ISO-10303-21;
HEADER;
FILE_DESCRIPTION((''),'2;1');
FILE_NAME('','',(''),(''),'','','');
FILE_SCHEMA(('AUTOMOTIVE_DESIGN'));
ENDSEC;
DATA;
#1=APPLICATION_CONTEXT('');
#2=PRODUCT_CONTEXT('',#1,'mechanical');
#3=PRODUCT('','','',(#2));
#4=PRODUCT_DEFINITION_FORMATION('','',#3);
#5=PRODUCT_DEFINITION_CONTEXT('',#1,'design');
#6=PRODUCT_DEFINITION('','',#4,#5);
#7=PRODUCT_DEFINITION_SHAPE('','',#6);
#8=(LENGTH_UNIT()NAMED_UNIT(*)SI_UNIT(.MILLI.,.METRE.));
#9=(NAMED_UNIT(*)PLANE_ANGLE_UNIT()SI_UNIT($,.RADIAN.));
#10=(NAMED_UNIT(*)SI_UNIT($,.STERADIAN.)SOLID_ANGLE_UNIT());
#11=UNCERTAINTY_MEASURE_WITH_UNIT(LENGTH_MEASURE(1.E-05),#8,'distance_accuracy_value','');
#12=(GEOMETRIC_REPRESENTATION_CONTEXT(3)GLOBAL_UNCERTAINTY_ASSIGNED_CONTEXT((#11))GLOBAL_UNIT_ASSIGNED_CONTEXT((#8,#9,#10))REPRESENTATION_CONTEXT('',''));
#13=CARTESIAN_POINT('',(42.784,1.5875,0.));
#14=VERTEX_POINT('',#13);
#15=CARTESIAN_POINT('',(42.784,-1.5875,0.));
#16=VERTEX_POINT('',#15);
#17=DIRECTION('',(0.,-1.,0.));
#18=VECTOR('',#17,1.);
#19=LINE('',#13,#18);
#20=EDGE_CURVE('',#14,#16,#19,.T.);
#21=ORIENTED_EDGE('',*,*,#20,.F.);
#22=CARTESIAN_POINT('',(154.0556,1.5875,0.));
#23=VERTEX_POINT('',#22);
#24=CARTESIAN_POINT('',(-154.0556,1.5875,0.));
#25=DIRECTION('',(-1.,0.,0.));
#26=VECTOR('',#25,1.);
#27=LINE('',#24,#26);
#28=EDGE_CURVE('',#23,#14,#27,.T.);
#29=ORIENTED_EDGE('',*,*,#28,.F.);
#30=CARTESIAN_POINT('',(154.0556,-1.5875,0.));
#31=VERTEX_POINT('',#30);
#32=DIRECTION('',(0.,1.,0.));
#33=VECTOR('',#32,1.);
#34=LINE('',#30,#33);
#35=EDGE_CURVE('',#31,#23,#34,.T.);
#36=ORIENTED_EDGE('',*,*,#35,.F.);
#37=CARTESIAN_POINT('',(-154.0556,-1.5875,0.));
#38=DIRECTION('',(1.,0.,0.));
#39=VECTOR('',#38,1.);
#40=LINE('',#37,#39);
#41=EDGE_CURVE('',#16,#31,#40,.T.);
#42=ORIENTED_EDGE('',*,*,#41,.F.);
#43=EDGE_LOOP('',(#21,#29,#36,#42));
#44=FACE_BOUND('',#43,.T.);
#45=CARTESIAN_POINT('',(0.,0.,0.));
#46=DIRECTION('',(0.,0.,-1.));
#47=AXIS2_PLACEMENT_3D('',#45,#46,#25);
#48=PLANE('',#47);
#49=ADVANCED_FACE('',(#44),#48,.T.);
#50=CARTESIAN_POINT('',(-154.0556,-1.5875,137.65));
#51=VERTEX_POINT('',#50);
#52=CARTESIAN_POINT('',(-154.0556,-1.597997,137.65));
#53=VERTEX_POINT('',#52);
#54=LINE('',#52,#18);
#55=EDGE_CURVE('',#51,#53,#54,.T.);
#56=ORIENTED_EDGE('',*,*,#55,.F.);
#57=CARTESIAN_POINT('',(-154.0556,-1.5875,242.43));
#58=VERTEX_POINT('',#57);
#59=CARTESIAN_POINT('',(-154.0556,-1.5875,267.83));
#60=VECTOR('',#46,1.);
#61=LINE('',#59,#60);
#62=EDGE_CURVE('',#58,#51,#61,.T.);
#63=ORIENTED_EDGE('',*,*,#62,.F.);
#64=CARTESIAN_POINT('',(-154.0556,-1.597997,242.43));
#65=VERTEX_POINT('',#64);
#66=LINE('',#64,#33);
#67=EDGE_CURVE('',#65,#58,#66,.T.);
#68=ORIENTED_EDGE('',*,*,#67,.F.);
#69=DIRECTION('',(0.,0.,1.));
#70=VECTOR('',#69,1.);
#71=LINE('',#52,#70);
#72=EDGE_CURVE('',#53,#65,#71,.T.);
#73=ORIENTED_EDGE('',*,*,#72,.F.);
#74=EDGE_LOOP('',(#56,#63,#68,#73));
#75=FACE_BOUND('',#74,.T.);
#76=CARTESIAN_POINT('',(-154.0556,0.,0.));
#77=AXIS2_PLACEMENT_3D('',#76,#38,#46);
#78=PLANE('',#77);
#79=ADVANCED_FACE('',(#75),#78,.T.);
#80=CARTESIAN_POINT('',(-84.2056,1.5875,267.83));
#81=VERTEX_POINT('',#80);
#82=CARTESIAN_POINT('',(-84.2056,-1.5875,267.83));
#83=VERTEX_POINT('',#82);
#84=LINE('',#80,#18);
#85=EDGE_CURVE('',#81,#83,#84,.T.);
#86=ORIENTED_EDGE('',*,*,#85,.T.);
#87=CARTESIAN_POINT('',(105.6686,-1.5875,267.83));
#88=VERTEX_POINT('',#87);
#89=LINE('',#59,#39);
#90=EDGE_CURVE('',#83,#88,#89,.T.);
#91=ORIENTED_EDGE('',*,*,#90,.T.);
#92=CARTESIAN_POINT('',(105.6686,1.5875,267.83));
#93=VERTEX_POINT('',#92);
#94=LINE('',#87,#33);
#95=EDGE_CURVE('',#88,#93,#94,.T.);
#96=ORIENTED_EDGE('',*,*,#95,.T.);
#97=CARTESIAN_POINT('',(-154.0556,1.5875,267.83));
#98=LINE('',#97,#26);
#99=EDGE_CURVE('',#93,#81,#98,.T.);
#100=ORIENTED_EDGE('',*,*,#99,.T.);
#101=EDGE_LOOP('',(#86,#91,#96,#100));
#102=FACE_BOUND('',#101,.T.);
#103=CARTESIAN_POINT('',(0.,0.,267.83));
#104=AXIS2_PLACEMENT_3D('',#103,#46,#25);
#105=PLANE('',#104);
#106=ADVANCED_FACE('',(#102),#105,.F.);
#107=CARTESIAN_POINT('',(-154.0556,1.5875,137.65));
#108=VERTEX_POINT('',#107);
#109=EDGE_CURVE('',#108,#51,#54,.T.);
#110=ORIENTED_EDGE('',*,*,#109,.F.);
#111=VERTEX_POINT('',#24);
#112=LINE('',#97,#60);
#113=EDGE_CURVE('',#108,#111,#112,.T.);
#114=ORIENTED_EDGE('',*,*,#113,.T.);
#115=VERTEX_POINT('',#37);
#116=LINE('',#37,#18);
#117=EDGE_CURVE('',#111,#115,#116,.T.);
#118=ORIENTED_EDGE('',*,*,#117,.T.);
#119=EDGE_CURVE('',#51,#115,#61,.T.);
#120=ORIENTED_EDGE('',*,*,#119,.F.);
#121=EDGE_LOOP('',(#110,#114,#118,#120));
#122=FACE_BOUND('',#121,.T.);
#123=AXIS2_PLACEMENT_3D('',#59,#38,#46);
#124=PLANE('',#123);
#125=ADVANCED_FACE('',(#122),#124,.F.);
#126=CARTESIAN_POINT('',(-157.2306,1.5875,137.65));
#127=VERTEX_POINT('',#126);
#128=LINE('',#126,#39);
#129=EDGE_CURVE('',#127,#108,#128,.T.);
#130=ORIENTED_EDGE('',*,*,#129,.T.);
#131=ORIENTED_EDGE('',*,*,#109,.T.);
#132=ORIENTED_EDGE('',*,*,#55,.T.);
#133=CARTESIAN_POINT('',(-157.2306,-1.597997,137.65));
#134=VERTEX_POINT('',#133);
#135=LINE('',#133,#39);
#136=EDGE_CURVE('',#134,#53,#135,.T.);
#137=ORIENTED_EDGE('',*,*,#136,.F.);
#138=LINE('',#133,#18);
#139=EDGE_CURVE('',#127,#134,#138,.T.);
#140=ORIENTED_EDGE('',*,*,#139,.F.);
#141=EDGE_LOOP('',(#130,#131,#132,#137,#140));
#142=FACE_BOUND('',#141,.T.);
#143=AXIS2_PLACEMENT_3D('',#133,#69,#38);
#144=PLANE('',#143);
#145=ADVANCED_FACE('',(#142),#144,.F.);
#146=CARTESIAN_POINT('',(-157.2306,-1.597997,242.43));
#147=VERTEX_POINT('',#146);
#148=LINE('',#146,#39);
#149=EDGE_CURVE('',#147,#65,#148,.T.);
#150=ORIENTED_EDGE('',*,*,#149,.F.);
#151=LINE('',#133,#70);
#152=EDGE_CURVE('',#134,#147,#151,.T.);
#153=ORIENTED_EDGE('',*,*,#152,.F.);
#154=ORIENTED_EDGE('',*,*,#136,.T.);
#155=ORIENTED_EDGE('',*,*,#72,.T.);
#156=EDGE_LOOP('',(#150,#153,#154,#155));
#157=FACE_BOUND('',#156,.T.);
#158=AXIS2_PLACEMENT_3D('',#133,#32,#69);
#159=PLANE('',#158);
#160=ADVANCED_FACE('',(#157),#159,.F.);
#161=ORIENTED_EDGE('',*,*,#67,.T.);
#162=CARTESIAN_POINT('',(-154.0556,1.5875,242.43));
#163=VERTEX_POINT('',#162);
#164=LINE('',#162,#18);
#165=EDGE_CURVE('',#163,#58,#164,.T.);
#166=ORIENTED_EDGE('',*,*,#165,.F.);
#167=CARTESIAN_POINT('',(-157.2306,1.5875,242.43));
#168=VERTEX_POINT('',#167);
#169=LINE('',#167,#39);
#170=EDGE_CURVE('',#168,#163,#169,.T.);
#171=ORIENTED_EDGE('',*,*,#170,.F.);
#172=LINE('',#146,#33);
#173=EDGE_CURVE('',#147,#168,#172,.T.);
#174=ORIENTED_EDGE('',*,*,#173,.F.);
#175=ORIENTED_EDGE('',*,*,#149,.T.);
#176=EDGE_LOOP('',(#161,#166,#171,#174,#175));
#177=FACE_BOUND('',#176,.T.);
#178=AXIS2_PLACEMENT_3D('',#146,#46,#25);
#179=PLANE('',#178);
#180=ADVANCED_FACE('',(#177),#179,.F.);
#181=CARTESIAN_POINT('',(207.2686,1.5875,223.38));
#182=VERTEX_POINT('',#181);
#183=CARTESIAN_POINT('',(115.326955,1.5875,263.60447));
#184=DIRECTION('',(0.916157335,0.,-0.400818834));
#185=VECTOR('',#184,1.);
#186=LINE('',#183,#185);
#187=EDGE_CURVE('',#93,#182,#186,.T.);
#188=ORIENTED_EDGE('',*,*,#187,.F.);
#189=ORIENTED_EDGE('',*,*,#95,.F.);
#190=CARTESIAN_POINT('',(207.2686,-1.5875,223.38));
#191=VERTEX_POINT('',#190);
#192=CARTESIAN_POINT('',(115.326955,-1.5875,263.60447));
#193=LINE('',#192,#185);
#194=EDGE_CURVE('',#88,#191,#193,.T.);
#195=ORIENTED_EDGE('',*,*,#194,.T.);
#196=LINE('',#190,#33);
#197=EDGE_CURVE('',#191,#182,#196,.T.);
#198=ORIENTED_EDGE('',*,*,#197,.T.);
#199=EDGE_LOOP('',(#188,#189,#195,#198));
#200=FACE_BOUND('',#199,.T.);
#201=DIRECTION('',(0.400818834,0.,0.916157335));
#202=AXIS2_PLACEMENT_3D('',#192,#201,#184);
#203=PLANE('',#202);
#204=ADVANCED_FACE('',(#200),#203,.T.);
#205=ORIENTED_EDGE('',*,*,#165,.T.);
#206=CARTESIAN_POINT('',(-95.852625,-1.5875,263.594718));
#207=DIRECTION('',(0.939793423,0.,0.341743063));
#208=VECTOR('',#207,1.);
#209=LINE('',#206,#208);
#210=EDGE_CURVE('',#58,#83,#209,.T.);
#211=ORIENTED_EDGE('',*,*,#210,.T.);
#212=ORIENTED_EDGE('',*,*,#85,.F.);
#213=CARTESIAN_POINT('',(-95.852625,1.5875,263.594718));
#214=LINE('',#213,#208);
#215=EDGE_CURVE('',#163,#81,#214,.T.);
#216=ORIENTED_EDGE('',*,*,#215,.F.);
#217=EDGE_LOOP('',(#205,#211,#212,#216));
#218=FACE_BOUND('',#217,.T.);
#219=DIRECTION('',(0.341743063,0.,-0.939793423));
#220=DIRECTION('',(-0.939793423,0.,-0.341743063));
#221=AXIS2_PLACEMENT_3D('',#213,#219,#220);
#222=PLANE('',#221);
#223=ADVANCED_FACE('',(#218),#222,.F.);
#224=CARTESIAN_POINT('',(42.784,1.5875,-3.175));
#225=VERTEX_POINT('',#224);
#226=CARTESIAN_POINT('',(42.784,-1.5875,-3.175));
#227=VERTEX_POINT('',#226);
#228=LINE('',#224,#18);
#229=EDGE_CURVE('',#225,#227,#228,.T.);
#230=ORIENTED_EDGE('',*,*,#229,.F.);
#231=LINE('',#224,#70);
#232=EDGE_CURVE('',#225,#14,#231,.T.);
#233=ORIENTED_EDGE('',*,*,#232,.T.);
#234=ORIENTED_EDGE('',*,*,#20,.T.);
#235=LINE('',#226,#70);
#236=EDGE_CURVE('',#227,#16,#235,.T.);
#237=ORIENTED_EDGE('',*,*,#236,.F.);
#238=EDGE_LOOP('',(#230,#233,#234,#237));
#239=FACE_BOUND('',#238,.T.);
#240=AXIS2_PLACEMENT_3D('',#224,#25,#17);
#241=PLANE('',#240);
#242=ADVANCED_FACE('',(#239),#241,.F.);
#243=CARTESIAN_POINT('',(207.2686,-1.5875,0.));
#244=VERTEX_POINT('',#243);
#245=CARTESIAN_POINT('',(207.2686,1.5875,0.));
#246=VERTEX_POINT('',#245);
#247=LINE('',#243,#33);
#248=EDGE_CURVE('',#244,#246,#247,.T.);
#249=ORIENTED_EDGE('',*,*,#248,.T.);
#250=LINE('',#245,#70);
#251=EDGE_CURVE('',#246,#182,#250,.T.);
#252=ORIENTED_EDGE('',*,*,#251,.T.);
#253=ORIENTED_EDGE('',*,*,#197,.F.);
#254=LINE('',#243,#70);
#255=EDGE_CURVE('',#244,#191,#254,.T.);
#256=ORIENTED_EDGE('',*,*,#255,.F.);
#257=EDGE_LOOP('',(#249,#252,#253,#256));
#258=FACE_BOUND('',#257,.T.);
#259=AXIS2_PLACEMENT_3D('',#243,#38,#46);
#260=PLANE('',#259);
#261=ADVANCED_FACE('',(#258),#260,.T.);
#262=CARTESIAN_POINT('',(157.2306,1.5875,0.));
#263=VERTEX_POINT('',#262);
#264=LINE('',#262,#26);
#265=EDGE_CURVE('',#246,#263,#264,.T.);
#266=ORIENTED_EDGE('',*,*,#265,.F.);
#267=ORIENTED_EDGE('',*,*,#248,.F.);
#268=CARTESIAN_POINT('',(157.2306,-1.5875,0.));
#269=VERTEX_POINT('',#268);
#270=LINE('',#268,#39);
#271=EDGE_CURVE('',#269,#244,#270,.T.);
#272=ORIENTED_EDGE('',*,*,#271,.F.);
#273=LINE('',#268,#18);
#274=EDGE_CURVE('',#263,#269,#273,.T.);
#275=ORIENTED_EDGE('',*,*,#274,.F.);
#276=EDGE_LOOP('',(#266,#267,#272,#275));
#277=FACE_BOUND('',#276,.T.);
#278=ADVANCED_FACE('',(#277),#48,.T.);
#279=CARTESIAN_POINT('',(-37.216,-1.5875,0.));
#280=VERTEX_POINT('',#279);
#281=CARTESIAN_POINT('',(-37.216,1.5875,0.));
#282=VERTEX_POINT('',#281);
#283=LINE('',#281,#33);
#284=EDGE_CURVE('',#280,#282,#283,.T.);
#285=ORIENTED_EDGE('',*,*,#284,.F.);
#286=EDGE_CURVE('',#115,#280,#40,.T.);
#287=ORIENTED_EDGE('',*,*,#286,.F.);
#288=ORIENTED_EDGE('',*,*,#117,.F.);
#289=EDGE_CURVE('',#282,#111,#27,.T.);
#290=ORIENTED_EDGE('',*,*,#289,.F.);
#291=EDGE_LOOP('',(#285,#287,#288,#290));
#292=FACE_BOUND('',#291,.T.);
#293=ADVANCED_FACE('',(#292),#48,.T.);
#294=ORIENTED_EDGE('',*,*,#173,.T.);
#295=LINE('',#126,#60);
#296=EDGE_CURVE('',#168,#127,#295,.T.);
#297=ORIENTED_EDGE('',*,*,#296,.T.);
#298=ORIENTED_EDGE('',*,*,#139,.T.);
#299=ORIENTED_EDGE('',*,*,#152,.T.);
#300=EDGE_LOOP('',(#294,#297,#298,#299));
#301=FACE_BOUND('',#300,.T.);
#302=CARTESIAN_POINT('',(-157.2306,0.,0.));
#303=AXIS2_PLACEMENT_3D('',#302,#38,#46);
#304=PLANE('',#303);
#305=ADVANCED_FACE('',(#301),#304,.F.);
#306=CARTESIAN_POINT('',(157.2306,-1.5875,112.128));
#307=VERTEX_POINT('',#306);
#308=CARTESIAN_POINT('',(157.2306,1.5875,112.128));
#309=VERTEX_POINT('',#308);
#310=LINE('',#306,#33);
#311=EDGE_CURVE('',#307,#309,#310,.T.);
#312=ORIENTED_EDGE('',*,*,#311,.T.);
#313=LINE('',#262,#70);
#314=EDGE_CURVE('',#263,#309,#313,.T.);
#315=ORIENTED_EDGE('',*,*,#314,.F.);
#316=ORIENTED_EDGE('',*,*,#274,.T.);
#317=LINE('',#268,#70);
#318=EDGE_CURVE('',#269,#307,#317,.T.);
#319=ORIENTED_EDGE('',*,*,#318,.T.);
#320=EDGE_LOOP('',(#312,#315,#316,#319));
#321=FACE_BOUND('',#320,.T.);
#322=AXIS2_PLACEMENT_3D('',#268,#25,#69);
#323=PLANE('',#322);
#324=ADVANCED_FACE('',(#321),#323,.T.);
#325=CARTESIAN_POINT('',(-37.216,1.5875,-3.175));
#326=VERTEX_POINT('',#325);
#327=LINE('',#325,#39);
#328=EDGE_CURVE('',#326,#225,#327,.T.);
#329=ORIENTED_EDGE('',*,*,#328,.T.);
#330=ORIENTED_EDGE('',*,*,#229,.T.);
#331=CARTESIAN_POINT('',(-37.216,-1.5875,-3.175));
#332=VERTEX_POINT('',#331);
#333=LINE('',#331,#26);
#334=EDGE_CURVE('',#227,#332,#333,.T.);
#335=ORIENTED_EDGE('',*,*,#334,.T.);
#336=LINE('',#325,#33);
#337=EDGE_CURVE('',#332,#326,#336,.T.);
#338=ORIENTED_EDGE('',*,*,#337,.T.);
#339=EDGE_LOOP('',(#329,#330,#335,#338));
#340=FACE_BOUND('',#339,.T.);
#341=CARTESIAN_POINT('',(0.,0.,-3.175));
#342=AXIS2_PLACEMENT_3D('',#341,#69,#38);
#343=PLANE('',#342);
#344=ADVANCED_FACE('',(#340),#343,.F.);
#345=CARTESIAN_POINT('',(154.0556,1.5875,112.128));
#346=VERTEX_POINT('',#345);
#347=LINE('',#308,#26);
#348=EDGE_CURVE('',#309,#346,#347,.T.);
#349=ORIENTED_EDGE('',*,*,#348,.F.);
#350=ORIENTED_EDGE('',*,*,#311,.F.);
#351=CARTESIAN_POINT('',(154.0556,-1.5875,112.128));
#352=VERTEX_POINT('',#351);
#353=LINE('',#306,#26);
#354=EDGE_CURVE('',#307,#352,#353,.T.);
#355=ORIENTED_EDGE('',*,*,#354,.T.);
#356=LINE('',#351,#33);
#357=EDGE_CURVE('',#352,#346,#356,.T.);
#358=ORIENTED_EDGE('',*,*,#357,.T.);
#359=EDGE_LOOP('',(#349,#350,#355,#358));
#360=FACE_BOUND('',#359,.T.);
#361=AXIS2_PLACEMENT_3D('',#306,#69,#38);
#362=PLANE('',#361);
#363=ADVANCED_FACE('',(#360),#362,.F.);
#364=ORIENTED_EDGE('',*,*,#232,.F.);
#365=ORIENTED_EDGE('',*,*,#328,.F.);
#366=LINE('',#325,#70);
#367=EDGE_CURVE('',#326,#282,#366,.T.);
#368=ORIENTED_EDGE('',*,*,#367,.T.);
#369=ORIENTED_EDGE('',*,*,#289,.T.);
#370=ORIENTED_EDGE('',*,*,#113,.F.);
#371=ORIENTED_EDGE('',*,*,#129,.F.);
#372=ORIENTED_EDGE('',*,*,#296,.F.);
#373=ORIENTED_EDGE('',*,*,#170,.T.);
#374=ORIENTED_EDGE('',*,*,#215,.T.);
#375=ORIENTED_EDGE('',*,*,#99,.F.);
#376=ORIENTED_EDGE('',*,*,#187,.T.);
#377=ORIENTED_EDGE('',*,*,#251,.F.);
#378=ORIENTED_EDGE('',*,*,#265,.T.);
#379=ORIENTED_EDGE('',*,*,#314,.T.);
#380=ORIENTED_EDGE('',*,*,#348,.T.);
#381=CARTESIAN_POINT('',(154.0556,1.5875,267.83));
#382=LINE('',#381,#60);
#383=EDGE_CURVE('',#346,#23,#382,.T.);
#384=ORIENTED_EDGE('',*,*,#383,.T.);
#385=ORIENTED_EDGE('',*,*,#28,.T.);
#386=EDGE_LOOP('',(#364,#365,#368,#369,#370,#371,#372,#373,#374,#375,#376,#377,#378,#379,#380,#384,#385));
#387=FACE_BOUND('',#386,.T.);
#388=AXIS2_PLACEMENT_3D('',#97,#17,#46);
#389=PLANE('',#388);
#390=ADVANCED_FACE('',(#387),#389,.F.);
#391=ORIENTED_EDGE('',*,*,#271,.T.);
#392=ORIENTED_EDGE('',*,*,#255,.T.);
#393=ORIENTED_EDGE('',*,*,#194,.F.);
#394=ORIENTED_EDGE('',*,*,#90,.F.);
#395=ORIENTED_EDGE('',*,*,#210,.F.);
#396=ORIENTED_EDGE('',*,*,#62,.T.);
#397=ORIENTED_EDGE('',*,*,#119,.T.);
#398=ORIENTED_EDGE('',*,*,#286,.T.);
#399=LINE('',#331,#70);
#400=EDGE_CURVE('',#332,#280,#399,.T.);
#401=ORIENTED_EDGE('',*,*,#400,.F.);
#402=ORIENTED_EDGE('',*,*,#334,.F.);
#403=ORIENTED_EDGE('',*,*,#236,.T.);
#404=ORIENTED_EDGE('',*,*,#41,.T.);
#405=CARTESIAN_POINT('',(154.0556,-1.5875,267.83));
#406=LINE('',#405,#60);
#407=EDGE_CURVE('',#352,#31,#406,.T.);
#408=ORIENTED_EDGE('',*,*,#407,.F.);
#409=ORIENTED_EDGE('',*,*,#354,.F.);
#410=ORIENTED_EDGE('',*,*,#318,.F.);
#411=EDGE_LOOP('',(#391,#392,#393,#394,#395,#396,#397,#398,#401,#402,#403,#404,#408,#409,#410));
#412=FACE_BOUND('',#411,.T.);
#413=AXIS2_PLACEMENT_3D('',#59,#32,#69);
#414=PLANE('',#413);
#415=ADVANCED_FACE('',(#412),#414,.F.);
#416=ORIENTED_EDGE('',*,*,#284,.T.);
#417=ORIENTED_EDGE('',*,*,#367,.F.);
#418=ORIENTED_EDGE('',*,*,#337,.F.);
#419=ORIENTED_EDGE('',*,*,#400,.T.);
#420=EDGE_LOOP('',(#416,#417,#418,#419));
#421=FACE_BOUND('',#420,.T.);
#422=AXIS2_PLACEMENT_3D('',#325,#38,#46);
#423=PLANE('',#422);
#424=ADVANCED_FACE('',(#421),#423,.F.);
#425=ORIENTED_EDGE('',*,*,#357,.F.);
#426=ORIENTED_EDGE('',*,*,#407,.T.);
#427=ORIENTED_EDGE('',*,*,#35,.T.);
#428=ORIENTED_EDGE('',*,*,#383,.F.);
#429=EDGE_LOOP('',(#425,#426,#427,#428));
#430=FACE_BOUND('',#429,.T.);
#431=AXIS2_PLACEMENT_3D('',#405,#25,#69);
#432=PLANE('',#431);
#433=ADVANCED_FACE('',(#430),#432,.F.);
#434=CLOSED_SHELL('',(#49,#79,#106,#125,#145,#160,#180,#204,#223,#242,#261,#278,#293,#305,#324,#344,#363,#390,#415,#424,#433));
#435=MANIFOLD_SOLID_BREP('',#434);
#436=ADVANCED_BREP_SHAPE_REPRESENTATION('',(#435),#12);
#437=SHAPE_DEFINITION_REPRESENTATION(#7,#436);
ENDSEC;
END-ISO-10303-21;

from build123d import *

# Parameters (mm, degrees)
SKETCH1_W           = 308.1112
SKETCH1_H           = 3.175
BOSS_EXTRUDE1_DEPTH = 267.83
SKETCH3_W           = 155.702
SKETCH3_H           = 3.175
BOSS_EXTRUDE3_DEPTH = 3.175
SKETCH4_W           = 50.038
SKETCH4_H           = 3.175
BOSS_EXTRUDE4_DEPTH = 267.83
CUT_EXTRUDE1_DEPTH  = 339.67870035
SKETCH8_W           = 80
SKETCH8_H           = 3.175
BOSS_EXTRUDE6_DEPTH = 3.175
CUT_EXTRUDE3_DEPTH  = 339.67870035
SKETCH13_W          = 104.779999964
SKETCH13_H          = 3.1854967
BOSS_EXTRUDE7_DEPTH = 3.175


with BuildPart() as part:
    # Sketch1 → Boss-Extrude1 (new body)
    with BuildSketch(Plane.XY):
        Rectangle(SKETCH1_W, SKETCH1_H)
    extrude(amount=BOSS_EXTRUDE1_DEPTH)

    # Sketch3 → Boss-Extrude3 (add)
    with BuildSketch(Plane(origin=(154.0556, 0, 0), x_dir=(0, 0, -1), z_dir=(1, 0, 0))):
        with Locations((-189.979, 0)):
            Rectangle(SKETCH3_W, SKETCH3_H)
    extrude(amount=BOSS_EXTRUDE3_DEPTH)

    # Sketch4 → Boss-Extrude4 (add)
    with BuildSketch(Plane.XY.offset(267.83)):
        with Locations((182.2496, 0)):
            Rectangle(SKETCH4_W, SKETCH4_H)
    extrude(amount=-BOSS_EXTRUDE4_DEPTH)

    # Sketch6 → Cut-Extrude1 (cut, through all)
    with BuildSketch(Plane(origin=(0, 1.5875, 0), x_dir=(1, 0, 0), z_dir=(0, 1, 0))):
        Polygon((207.2686, -223.38), (105.6686, -267.83), (207.2686, -267.83), align=None)
    extrude(amount=-CUT_EXTRUDE1_DEPTH, mode=Mode.SUBTRACT)

    # Sketch8 → Boss-Extrude6 (add)
    with BuildSketch(Plane(origin=(0, 0, 0), x_dir=(-1, 0, 0), z_dir=(0, 0, -1))):
        with Locations((-2.78399998, 0)):
            Rectangle(SKETCH8_W, SKETCH8_H)
    extrude(amount=BOSS_EXTRUDE6_DEPTH)

    # Sketch11 → Cut-Extrude3 (cut, through all)
    with BuildSketch(Plane.XZ.offset(1.5875)):
        Polygon((-154.0556, 242.43), (-84.2056, 267.83), (-154.0556, 267.83), align=None)
    extrude(amount=-CUT_EXTRUDE3_DEPTH, mode=Mode.SUBTRACT)

    # Sketch13 → Boss-Extrude7 (add)
    with BuildSketch(Plane.ZY.offset(154.0556)):
        with Locations((190.040000018, -0.00524835)):
            Rectangle(SKETCH13_W, SKETCH13_H)
    extrude(amount=BOSS_EXTRUDE7_DEPTH)


solid = part.part
